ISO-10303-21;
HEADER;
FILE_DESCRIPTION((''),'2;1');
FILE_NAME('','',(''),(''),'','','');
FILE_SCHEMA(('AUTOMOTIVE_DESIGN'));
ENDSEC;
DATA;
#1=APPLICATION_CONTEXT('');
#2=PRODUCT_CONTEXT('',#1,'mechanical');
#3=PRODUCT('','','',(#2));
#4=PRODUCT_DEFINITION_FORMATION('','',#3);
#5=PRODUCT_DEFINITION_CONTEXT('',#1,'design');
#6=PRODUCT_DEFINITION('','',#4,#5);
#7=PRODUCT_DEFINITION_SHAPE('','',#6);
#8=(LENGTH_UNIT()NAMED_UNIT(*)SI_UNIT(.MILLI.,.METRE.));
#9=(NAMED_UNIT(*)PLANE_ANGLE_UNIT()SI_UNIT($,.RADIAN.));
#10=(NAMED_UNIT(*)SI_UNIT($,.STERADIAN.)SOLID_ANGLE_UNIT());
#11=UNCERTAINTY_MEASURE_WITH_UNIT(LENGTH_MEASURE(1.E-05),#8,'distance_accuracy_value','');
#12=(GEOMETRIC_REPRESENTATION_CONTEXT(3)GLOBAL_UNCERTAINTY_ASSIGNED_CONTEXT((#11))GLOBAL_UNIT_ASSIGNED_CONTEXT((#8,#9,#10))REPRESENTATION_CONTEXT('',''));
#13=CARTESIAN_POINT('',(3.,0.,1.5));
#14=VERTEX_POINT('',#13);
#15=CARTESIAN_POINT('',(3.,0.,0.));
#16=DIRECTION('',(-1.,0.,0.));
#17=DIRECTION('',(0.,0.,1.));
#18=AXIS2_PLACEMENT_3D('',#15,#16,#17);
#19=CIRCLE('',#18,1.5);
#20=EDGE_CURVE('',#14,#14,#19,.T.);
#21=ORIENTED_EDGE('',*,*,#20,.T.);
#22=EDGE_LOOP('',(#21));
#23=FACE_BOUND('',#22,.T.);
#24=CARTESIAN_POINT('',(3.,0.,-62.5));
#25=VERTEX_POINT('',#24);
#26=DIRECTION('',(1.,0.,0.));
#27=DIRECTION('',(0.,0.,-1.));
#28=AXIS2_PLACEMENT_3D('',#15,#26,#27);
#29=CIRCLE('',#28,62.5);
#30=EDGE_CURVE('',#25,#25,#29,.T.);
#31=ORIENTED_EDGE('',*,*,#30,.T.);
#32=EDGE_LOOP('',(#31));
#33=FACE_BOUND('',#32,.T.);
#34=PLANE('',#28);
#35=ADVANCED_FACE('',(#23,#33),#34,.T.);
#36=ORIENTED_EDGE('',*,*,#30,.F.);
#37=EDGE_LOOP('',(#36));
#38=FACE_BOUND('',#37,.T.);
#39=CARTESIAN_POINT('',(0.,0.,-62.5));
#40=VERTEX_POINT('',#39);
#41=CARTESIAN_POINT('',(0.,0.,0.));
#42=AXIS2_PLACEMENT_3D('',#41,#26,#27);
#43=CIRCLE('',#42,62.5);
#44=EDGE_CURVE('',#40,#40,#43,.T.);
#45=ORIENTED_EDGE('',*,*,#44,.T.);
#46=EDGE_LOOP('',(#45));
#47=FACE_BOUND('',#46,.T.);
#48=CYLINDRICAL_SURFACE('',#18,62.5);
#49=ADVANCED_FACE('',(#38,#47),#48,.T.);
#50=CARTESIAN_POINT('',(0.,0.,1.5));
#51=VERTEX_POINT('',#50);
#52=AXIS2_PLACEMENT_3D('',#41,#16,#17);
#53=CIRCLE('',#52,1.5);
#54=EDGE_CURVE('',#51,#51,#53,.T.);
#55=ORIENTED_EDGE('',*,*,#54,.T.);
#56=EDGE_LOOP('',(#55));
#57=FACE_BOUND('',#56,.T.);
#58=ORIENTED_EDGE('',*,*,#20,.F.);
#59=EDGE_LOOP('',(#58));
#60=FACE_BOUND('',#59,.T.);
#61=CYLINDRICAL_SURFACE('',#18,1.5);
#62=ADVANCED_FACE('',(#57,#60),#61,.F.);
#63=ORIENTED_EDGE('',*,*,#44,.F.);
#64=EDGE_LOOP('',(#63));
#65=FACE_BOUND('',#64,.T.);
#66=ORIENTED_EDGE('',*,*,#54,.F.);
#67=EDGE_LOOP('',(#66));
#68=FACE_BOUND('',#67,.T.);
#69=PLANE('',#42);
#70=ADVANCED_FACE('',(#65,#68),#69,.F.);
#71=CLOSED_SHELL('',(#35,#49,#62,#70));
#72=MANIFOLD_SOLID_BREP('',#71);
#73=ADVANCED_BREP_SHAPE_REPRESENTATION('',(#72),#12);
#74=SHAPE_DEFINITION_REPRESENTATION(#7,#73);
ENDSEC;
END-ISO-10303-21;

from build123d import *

# Parameters (mm, degrees)
SKETCH1_R           = 62.5
BOSS_EXTRUDE1_DEPTH = 3
SKETCH2_R           = 1.5
CUT_EXTRUDE1_DEPTH  = 4


with BuildPart() as part:
    # Sketch1 → Boss-Extrude1 (new body)
    with BuildSketch(Plane(origin=(0, 0, 0), x_dir=(0, 0, -1), z_dir=(1, 0, 0))):
        Circle(SKETCH1_R)
    extrude(amount=BOSS_EXTRUDE1_DEPTH)

    # Sketch2 → Cut-Extrude1 (cut, through all)
    with BuildSketch(Plane.ZY):
        Circle(SKETCH2_R)
    extrude(amount=-CUT_EXTRUDE1_DEPTH, mode=Mode.SUBTRACT)


solid = part.part
